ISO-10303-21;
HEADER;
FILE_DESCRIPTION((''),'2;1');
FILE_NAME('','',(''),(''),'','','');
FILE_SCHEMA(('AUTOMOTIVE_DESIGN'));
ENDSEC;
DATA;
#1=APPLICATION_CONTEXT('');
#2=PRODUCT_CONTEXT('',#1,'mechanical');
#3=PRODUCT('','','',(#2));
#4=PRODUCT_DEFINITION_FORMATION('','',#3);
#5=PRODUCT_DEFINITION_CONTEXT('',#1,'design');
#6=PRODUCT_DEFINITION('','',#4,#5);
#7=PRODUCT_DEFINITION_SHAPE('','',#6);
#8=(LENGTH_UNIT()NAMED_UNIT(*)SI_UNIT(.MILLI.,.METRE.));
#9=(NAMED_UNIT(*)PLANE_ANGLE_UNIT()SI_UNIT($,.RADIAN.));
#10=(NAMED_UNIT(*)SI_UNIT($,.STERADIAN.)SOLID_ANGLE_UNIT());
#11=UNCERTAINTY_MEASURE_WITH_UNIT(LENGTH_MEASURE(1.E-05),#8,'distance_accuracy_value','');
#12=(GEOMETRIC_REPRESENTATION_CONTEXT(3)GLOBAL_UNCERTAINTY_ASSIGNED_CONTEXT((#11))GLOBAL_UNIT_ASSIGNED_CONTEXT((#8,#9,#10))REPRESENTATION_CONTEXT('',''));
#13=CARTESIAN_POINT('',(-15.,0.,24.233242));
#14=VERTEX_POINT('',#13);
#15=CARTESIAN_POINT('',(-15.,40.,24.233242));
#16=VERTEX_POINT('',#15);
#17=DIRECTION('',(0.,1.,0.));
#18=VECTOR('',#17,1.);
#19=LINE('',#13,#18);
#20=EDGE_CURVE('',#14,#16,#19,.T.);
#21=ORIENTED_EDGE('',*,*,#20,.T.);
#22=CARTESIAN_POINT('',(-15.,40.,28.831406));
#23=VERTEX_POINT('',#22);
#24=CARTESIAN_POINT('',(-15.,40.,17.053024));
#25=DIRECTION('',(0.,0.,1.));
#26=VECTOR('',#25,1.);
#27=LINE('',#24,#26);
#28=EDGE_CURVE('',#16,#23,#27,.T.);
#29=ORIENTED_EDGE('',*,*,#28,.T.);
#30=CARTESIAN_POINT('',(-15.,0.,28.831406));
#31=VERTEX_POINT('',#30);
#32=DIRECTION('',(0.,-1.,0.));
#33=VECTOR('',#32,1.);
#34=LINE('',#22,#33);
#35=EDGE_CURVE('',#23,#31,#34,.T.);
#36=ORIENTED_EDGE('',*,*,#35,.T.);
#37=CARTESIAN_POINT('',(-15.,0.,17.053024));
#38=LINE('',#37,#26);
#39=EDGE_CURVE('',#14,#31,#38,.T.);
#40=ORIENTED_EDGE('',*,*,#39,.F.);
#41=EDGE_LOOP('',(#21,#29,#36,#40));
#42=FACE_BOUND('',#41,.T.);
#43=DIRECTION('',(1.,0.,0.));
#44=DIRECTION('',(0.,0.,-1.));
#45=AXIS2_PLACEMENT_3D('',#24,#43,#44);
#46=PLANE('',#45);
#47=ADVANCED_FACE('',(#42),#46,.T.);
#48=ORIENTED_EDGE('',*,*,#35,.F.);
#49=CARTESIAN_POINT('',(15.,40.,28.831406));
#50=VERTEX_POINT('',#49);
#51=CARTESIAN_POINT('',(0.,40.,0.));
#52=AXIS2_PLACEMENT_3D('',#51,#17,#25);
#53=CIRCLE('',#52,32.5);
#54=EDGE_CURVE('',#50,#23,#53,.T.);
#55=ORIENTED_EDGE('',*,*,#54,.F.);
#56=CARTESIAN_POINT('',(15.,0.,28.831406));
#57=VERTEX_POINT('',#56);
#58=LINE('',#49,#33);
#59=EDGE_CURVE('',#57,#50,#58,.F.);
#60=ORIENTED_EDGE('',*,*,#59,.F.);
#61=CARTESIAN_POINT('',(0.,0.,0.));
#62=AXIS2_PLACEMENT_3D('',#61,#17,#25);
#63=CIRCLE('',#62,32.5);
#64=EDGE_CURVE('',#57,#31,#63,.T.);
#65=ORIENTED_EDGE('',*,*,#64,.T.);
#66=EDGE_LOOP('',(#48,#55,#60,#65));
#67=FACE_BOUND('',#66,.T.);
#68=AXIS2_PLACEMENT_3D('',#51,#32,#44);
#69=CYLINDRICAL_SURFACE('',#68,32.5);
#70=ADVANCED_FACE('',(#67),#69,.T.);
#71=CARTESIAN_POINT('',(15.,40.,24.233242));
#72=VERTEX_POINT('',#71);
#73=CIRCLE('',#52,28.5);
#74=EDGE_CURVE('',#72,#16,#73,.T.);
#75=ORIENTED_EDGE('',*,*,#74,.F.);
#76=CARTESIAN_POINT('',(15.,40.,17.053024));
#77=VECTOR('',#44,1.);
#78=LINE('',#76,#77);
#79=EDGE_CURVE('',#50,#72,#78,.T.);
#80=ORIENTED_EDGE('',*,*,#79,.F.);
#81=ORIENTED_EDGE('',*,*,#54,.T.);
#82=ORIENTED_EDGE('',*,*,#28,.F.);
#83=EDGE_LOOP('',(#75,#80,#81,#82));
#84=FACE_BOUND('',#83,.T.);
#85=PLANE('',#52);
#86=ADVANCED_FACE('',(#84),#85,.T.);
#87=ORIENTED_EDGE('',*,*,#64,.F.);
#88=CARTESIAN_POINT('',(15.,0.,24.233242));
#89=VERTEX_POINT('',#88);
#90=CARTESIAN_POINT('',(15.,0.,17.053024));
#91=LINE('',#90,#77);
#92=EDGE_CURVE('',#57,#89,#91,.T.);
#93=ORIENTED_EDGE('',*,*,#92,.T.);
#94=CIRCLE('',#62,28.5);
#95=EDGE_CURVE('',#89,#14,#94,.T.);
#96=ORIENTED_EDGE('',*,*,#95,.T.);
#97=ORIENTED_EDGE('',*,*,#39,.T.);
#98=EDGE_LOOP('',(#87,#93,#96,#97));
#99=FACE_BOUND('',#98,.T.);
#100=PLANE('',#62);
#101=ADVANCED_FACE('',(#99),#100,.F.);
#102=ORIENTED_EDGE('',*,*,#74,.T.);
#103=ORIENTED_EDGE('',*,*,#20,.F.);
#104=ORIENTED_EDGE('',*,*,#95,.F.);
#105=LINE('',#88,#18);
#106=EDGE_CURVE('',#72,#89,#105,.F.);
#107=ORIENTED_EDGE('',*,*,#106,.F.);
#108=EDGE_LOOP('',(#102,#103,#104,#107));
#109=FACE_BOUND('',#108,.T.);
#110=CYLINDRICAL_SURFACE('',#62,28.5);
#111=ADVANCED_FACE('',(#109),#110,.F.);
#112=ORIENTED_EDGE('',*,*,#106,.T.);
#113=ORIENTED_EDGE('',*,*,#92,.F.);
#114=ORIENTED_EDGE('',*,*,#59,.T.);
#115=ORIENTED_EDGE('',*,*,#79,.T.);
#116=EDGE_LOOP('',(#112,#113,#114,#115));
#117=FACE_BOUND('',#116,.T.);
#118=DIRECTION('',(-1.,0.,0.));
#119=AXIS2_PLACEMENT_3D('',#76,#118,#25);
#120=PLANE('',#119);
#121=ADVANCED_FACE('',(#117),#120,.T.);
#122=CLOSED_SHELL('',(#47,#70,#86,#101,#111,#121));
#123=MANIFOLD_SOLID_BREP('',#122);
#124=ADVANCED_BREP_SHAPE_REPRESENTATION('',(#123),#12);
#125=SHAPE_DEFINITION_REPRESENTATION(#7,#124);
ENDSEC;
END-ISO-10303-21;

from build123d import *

# Parameters (mm, degrees)
ESBO_O2_R                = 32.5
RESSALTO_EXTRUS_O1_DEPTH = 40
ESBO_O3_R                = 28.5
CORTE_EXTRUS_O1_DEPTH    = 40
ESBO_O4_W                = 30
ESBO_O4_H                = 19.489170569
CORTE_EXTRUS_O2_DEPTH    = 61.930288035


with BuildPart() as part:
    # Esboço2 → Ressalto-extrusão1 (new body)
    with BuildSketch(Plane(origin=(0, 0, 0), x_dir=(1, 0, 0), z_dir=(0, 1, 0))):
        with Locations(Location((0, 0, 0), (0, 0, 270))):
            Circle(ESBO_O2_R)
    extrude(amount=RESSALTO_EXTRUS_O1_DEPTH)

    # Esboço3 → Corte-extrusão1 (cut)
    with BuildSketch(Plane(origin=(0, 40, 0), x_dir=(1, 0, 0), z_dir=(0, 1, 0))):
        with Locations(Location((0, 0, 0), (0, 0, 270))):
            Circle(ESBO_O3_R)
    extrude(amount=-CORTE_EXTRUS_O1_DEPTH, mode=Mode.SUBTRACT)

    # Esboço4 → Corte-extrusão2 (cut, through all)
    with BuildSketch(Plane(origin=(0, 0, 0), x_dir=(1, 0, 0), z_dir=(0, 1, 0))):
        with Locations((0, -26.797609532)):
            Rectangle(ESBO_O4_W, ESBO_O4_H)
    extrude(amount=CORTE_EXTRUS_O2_DEPTH, mode=Mode.SUBTRACT)


solid = part.part
